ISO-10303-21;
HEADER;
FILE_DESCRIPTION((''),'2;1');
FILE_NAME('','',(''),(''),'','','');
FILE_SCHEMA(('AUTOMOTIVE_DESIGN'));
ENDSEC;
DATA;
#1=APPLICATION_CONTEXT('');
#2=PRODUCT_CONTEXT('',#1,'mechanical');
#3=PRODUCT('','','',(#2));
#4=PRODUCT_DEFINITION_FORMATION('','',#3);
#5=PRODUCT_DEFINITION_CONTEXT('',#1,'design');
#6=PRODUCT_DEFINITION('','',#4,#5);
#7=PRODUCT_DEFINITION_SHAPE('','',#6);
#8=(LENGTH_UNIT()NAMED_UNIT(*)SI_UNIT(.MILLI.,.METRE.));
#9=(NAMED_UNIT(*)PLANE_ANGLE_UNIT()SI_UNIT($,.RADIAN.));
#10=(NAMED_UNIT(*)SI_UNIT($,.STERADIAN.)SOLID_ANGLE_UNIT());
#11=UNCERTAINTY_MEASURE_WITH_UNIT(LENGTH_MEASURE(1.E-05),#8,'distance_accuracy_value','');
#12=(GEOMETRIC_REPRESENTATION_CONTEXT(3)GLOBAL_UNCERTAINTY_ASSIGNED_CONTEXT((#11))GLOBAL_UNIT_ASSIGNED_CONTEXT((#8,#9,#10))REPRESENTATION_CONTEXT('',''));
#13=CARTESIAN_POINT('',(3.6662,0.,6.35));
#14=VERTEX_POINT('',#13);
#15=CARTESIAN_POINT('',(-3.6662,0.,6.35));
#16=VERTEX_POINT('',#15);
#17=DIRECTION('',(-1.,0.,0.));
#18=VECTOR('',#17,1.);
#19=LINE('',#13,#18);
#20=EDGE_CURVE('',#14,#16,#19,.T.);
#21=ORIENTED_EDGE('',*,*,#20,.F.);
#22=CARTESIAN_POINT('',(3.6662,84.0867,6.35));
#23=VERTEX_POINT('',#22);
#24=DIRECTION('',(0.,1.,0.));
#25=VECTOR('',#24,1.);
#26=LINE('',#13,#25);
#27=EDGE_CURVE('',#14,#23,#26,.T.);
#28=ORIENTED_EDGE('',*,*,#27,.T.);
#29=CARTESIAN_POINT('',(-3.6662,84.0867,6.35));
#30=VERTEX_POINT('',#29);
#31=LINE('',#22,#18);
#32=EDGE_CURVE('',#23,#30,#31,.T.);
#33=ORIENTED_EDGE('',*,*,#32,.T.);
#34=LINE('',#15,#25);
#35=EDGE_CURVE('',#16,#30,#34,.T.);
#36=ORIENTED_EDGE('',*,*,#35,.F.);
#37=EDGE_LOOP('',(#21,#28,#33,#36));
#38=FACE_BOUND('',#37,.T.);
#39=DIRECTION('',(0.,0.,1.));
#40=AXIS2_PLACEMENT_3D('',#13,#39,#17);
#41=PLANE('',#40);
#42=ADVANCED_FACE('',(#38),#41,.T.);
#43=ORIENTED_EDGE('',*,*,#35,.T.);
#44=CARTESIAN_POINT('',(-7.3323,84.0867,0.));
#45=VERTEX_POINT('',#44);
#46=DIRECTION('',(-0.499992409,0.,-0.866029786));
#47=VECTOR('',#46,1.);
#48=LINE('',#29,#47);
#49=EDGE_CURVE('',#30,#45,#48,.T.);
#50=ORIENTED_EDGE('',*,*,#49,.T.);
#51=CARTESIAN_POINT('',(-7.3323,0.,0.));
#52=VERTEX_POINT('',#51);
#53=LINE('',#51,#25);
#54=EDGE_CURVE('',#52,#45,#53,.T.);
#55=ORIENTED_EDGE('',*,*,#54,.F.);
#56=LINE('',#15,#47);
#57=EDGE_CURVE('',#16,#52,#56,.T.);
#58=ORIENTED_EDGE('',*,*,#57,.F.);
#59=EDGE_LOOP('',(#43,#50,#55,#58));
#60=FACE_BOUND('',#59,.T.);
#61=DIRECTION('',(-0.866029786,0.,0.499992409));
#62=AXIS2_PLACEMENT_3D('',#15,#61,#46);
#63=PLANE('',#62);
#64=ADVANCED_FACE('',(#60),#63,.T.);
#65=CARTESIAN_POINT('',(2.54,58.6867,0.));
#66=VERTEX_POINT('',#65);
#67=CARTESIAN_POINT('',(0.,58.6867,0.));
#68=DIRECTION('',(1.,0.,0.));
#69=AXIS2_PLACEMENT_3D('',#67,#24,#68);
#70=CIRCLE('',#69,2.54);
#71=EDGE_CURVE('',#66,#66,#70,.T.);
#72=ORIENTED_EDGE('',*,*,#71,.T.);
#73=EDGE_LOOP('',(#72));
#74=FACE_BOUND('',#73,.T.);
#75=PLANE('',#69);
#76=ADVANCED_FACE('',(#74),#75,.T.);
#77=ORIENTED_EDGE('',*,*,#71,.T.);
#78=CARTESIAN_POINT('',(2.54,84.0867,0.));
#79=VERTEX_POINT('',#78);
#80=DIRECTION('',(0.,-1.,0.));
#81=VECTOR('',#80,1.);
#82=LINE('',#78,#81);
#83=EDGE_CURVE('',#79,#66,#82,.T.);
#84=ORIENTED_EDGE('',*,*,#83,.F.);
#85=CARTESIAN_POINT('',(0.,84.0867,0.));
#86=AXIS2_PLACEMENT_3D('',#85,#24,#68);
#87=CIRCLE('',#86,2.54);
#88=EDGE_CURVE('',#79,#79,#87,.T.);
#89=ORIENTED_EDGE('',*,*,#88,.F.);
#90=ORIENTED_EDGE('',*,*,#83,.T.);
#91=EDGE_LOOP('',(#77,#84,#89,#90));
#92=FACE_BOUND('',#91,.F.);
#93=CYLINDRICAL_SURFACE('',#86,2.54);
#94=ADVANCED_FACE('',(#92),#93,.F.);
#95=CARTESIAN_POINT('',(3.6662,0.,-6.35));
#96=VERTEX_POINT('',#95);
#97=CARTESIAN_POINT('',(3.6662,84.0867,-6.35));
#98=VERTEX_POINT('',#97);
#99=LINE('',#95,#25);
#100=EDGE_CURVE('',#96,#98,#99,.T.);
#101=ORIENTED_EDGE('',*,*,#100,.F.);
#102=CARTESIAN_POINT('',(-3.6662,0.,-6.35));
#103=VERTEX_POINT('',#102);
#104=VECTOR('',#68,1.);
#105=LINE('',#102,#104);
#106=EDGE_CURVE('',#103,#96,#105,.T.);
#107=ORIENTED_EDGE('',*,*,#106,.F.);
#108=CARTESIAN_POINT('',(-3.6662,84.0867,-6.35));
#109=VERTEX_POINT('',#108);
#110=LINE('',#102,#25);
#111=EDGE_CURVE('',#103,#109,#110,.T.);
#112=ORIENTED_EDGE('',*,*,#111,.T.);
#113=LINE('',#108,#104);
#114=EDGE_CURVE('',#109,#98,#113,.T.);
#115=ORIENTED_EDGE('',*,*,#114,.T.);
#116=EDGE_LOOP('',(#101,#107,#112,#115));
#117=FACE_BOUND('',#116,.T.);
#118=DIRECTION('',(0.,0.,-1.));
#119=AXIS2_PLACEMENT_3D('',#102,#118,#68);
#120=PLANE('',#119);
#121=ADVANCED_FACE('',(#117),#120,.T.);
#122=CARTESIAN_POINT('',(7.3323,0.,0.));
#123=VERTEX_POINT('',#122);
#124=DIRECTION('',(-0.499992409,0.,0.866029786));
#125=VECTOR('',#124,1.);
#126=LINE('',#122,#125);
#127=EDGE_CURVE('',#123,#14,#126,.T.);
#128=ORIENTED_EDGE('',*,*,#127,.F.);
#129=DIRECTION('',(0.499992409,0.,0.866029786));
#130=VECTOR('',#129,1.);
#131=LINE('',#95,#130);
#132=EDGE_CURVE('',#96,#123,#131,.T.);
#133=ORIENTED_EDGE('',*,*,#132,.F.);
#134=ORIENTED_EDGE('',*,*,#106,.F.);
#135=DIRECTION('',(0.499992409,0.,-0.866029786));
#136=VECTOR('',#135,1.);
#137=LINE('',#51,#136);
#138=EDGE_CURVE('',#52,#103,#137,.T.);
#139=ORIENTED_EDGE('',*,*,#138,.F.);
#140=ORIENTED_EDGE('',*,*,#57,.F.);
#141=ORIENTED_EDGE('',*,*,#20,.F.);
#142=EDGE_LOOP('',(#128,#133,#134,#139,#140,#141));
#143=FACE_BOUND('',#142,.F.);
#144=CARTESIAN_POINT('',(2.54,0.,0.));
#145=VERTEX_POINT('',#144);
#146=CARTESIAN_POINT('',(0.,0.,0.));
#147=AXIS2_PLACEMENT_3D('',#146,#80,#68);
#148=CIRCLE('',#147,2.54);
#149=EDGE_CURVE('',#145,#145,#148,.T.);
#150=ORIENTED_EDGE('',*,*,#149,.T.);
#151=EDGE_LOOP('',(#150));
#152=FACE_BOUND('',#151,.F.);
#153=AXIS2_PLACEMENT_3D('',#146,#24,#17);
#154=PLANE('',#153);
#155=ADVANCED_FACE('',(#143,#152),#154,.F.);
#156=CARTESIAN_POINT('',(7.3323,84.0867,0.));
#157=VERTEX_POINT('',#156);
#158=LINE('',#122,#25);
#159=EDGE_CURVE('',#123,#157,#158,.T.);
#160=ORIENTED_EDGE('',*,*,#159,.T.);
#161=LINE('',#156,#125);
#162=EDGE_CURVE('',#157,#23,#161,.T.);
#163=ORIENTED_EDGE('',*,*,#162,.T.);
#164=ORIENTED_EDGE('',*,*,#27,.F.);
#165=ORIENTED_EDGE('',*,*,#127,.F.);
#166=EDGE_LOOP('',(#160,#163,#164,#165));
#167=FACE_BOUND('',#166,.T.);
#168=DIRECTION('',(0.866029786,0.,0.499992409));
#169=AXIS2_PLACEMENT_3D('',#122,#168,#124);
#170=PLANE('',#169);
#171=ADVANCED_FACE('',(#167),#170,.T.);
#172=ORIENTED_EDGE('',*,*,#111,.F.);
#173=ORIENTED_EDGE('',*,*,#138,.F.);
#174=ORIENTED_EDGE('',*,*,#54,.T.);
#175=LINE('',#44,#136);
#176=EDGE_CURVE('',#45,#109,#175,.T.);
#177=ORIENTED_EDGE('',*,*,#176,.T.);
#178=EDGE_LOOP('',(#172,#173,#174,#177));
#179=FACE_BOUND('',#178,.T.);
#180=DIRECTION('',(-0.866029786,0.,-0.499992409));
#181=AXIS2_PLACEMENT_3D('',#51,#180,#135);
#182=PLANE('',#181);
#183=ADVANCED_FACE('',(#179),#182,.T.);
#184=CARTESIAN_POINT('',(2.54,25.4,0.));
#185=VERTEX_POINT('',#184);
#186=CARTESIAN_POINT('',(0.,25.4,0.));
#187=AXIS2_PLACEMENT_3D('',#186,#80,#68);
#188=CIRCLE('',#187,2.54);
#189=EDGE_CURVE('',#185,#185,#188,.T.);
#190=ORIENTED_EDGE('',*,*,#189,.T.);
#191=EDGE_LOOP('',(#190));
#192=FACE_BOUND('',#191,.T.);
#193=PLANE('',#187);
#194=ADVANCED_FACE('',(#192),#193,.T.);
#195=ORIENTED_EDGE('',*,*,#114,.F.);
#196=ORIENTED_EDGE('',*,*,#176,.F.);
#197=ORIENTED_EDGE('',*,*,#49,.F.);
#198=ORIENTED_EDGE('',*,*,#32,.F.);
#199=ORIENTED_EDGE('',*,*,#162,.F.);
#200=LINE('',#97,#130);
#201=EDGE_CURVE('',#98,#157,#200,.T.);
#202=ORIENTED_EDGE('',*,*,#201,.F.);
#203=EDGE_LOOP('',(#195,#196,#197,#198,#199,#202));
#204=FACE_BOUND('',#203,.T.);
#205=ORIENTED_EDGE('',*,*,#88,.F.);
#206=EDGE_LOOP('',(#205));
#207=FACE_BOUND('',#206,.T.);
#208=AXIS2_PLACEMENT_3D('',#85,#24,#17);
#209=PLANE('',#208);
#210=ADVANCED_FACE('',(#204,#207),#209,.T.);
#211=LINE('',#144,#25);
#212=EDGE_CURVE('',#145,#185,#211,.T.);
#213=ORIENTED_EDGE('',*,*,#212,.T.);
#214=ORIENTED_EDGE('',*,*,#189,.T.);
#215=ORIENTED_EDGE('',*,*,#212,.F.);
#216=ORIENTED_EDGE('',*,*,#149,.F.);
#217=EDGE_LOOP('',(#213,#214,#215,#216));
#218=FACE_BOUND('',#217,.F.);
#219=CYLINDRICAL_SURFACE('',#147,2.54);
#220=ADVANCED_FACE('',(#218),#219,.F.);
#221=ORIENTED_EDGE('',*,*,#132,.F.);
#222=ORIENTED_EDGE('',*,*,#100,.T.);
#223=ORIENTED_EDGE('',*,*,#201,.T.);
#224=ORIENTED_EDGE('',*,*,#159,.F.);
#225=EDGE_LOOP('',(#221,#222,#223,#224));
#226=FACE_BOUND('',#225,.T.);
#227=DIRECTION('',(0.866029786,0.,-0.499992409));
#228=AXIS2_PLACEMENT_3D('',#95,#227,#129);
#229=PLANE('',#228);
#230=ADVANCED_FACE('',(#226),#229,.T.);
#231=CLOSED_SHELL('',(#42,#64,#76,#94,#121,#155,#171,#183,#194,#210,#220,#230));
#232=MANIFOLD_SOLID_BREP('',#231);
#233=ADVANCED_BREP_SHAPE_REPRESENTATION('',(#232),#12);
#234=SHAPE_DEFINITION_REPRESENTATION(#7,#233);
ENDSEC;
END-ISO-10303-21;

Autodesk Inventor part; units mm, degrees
ref_plane "YZ Plane" through (0, 0, 0) normal (1, 0, 0) x (0, 1, 0)
ref_plane "XZ Plane" through (0, 0, 0) normal (0, 1, 0) x (-1, 0, 0)
ref_plane "XY Plane" through (0, 0, 0) normal (0, 0, 1) x (1, 0, 0)
sketch "Sketch1" plane through (0, 0, 0) normal (0, 1, 0) x (-1, 0, 0)
  line L0 (-3.6662, 6.35) -> (3.6662, 6.35)
  line L1 (3.6662, 6.35) -> (7.3323, 0)
  line L2 (7.3323, 0) -> (3.6662, -6.35)
  line L3 (3.6662, -6.35) -> (-3.6662, -6.35)
  line L4 (-3.6662, -6.35) -> (-7.3323, 0)
  line L5 (-7.3323, 0) -> (-3.6662, 6.35)
  point P0 (0, 0)
  point P1 (0, 0)
  dimension "d0" = 12.7
extrude "Extrusion1" add sketch "Sketch1" along normal blind 84.0867
sketch "Sketch2" plane through (0, 84.0867, 0) normal (0, 1, 0) x (1, 0, 0)
  circle A0 centre (0, 0) radius 2.54
  dimension "d3" = 5.08
extrude "Extrusion2" cut sketch "Sketch2" against normal blind 25.4
thread "Thread1" size "1/4-20 UNC" class "2B" standard "ANSI Unified Screw Threads" full length
sketch "Sketch3" plane through (0, 0, 0) normal (0, -1, 0) x (1, 0, 0)
  circle A0 centre (0, 0) radius 2.54
  dimension "d8" = 5.08
extrude "Extrusion3" cut sketch "Sketch3" against normal blind 25.4
thread "Thread2" size "1/4-20 UNC" class "2B" standard "ANSI Unified Screw Threads" full length
properties part number "OUTK_015_Shaft2" material "Aluminum 6061"
